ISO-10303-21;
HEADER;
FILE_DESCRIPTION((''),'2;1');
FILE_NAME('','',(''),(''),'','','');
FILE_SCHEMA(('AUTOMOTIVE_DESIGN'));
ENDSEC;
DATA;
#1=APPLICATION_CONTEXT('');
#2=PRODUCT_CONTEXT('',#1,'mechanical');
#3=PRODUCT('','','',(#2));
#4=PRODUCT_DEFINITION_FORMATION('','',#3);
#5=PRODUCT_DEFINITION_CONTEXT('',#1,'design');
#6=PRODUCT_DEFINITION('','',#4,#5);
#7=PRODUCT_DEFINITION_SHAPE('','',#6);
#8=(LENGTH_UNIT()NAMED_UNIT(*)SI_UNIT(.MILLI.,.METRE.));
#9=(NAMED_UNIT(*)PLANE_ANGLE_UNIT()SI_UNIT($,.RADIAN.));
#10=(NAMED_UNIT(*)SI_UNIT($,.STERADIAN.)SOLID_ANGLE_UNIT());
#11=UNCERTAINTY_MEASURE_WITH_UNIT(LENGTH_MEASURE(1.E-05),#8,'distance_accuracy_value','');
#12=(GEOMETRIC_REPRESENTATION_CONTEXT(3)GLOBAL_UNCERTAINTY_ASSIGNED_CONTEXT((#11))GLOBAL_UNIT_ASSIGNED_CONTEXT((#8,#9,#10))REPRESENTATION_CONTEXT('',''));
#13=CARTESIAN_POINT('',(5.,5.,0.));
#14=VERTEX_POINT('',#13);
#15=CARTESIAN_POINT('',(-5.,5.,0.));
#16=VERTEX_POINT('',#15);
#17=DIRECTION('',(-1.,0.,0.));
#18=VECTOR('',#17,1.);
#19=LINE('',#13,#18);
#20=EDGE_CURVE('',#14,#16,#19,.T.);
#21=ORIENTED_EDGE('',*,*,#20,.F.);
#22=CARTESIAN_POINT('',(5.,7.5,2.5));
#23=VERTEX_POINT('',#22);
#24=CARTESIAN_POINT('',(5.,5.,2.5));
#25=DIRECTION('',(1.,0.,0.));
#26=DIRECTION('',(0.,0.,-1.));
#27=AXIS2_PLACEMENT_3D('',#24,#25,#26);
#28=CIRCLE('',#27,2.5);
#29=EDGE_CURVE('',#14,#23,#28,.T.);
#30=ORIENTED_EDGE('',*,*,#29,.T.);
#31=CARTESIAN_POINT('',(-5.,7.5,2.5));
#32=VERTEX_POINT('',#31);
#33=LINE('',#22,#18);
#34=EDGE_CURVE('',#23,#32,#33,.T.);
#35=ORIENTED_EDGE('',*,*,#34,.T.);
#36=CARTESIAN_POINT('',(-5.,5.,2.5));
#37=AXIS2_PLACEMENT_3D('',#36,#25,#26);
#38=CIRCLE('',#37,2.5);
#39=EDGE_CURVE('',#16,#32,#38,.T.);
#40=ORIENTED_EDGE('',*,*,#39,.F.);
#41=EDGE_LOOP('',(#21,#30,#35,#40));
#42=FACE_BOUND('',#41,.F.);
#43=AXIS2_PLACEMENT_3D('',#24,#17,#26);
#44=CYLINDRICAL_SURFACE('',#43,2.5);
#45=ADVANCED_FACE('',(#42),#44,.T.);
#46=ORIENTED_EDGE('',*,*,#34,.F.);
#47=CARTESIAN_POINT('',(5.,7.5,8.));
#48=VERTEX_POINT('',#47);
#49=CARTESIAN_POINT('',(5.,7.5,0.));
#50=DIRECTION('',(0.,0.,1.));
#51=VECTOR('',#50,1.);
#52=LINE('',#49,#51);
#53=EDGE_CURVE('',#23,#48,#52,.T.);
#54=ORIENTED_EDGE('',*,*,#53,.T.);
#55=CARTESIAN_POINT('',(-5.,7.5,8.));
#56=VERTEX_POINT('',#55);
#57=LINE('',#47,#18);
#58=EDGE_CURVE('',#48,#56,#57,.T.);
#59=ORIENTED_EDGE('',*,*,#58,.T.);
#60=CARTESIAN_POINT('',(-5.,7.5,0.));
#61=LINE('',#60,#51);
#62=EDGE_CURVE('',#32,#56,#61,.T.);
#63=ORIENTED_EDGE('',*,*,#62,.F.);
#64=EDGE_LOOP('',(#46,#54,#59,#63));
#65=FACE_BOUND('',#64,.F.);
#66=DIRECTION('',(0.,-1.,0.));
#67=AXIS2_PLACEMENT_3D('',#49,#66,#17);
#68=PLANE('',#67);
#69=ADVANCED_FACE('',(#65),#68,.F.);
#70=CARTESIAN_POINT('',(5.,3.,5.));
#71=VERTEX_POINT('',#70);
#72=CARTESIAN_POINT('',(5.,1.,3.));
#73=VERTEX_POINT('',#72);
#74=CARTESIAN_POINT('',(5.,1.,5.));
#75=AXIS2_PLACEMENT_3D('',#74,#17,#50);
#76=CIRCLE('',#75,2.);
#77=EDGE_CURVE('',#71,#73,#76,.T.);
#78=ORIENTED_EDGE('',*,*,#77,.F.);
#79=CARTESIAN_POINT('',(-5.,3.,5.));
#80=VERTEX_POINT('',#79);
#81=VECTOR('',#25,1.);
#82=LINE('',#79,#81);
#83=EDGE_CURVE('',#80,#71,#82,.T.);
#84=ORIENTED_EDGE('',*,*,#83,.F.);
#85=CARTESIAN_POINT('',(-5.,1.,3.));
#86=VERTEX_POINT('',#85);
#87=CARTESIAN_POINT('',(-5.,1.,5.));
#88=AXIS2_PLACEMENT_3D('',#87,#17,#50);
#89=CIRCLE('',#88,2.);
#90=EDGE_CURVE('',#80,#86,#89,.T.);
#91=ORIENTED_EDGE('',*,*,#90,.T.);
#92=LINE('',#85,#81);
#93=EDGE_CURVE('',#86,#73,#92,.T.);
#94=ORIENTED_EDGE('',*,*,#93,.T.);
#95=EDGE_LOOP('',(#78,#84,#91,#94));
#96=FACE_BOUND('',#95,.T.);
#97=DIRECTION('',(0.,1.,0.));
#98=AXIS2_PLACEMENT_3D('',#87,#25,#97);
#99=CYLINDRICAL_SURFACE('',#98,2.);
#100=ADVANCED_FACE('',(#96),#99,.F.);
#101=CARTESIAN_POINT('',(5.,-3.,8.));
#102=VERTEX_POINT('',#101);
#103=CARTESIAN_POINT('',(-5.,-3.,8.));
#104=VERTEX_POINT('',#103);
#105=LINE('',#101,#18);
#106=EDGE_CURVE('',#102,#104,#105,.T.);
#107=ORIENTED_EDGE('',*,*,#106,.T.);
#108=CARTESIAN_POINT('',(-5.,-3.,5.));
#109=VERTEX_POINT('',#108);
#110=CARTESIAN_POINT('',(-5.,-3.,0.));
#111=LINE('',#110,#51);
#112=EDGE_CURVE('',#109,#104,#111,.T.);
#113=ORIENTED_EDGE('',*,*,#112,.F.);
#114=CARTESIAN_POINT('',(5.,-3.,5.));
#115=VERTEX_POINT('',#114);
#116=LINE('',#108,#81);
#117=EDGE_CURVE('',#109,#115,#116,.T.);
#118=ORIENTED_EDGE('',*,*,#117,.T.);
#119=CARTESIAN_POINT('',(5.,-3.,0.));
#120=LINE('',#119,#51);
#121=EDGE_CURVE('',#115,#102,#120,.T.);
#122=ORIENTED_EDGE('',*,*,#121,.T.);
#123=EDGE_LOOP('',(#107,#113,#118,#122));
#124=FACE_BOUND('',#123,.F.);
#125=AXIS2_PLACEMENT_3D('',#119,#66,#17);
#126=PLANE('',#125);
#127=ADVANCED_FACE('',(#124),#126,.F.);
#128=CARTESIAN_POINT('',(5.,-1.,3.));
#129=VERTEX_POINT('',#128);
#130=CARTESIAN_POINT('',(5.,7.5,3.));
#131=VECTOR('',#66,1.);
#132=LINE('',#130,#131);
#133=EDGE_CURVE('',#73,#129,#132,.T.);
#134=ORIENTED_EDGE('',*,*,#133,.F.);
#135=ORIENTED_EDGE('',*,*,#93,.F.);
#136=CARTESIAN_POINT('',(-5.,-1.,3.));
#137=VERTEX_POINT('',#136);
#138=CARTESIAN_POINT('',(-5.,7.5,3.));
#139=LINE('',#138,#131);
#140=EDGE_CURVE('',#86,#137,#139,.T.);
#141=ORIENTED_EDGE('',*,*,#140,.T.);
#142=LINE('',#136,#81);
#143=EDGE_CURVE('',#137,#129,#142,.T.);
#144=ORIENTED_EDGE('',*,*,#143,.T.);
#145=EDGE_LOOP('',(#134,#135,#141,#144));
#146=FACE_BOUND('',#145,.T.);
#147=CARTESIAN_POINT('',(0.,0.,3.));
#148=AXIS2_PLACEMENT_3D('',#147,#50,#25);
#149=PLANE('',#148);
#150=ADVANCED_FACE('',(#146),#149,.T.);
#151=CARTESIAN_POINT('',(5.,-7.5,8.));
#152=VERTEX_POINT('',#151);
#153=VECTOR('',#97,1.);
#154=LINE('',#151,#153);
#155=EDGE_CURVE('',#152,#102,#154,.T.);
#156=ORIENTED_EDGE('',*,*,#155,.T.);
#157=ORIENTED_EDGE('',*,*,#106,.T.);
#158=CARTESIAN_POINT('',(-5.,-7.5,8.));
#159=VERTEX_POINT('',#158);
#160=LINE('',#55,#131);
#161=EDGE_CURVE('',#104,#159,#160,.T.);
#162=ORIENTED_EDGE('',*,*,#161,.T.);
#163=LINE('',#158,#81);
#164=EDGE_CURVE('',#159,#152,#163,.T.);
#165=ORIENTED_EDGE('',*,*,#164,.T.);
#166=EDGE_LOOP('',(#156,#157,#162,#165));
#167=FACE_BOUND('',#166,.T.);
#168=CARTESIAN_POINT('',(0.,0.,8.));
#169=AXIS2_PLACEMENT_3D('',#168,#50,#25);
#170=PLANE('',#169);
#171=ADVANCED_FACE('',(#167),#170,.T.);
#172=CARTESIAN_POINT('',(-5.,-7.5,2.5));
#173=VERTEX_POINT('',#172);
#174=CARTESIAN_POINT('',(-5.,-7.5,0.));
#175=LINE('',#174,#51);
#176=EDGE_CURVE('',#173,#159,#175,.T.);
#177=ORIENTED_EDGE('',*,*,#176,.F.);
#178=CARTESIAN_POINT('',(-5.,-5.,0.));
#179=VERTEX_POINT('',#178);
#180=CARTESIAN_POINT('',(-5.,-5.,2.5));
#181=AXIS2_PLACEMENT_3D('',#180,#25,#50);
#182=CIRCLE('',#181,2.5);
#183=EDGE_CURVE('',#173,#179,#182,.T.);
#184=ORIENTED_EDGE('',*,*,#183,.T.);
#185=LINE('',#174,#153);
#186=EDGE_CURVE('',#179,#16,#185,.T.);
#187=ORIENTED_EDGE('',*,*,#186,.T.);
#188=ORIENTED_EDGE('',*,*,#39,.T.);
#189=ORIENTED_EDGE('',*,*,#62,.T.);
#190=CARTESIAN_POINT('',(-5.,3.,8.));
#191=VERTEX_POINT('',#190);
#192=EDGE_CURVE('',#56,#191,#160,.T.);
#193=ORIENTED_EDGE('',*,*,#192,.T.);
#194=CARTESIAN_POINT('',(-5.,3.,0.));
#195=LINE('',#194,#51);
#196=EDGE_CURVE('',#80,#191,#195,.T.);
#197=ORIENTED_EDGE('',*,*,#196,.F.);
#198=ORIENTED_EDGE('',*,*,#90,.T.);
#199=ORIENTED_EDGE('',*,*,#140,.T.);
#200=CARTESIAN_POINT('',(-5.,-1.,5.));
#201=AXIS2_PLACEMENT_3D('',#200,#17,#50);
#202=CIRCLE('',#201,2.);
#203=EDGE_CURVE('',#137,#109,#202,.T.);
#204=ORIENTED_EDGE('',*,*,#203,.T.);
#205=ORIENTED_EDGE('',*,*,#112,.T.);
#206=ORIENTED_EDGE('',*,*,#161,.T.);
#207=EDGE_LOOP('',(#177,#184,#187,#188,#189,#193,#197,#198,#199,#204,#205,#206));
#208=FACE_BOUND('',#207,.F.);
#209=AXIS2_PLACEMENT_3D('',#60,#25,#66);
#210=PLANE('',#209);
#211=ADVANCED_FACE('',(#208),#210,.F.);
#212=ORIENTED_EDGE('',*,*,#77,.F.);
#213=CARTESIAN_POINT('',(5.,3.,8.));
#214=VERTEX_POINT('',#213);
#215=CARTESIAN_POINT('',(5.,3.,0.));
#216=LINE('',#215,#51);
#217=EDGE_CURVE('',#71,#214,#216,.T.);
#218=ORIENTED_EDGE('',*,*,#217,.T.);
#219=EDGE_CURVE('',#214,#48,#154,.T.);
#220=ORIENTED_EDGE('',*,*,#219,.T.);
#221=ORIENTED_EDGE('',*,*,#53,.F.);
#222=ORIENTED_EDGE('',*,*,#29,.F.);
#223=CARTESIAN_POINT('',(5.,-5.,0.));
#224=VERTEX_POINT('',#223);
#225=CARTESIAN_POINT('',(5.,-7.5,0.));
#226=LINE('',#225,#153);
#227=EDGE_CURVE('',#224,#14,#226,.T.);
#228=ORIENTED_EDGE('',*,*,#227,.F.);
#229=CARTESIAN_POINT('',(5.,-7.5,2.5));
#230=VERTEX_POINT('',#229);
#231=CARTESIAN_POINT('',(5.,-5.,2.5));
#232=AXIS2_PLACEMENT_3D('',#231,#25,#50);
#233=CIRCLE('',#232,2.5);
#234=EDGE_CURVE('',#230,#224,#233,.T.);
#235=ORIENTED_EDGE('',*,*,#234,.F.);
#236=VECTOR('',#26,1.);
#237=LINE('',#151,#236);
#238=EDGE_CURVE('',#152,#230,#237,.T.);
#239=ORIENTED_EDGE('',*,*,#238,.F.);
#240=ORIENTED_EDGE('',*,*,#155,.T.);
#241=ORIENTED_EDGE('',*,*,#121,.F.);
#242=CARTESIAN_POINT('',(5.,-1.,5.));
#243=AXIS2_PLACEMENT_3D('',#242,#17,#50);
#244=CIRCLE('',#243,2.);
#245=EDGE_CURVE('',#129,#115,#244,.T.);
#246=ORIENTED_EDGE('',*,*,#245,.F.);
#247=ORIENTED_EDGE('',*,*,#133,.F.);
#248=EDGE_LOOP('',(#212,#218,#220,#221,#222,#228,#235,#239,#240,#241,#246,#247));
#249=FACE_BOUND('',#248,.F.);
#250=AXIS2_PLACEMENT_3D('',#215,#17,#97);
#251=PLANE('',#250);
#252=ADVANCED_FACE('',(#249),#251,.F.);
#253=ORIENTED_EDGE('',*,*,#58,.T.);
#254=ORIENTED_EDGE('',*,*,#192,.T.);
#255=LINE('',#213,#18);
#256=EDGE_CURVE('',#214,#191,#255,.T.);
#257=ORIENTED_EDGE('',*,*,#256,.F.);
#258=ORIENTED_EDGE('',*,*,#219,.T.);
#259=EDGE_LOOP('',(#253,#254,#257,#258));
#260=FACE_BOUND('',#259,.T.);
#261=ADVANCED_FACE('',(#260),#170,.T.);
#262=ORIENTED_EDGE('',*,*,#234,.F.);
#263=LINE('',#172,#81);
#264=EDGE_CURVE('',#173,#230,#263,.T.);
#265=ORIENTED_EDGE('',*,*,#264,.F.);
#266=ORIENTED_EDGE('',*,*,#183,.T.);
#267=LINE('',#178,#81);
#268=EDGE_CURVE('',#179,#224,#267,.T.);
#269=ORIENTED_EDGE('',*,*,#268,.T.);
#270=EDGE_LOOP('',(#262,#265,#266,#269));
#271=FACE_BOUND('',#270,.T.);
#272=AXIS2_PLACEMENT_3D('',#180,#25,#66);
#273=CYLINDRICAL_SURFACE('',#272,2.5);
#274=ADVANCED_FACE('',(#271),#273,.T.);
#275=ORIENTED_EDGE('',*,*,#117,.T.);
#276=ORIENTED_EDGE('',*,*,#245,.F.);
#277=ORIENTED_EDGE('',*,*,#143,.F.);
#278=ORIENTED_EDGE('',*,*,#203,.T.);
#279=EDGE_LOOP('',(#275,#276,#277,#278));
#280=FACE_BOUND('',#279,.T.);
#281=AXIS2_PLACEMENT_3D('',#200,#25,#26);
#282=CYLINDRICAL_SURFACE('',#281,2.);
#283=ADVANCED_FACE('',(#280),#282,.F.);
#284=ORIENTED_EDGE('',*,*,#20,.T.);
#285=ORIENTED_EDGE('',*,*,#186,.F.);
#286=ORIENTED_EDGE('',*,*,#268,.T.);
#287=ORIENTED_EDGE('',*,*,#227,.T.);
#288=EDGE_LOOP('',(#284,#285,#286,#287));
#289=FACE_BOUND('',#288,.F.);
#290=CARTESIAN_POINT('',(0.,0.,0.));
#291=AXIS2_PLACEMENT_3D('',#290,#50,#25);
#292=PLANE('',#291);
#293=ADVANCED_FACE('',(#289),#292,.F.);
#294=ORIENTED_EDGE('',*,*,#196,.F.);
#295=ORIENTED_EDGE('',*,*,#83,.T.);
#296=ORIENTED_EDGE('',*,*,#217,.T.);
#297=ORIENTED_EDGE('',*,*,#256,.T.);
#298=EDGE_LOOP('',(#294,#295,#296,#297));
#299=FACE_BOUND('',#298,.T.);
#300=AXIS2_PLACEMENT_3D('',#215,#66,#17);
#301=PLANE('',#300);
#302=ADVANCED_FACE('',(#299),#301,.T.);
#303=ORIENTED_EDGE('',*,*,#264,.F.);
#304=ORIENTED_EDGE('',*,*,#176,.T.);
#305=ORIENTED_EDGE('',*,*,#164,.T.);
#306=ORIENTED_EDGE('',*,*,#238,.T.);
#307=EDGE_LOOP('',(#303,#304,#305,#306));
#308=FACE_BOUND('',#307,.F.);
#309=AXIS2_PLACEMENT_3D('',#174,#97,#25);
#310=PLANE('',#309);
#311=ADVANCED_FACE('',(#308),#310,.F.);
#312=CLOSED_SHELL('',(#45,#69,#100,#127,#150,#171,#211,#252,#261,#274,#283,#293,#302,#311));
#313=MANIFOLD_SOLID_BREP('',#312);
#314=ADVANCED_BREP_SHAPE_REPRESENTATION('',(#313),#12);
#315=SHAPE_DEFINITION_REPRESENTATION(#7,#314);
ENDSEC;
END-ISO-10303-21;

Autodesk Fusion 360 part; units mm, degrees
sketch "Sketch1" plane through (0, 0, 0) normal (0, 0, 1) x (1, 0, 0)
  line L0 (5, 7.5) -> (-5, 7.5)
  line L1 (-5, 7.5) -> (-5, -7.5)
  line L2 (-5, -7.5) -> (5, -7.5)
  line L3 (5, -7.5) -> (5, 7.5)
  line L4 (5, 7.5) -> (-5, -7.5) construction
  line L5 (-5, 7.5) -> (5, -7.5) construction
  line L6 (-5, 7.5) -> (5, 7.5)
  line L7 (5, 7.5) -> (5, 3)
  line L8 (5, 3) -> (-5, 3)
  line L9 (-5, 3) -> (-5, 7.5)
  line L10 (-5, -7.5) -> (5, -7.5)
  line L11 (5, -7.5) -> (5, -3)
  line L12 (5, -3) -> (-5, -3)
  line L13 (-5, -3) -> (-5, -7.5)
  dimension "d1" = 10
  dimension "d2" = 15
  dimension "d3" = 4.5
  dimension "d4" = 4.5
extrude "Extrude1" add sketch "Sketch1" along normal blind 3 makes body 1
extrude "Extrude2" add sketch "Sketch1" along normal blind 8 contours L0 L1 L3 L6 L7 L8 L9 | L1 L2 L3 L10 L11 L12 L13 bodies 1
fillet "Fillet1" radius 2 2 edges at (0, -3, 3) (0, 3, 3) on bodies 1
fillet "Fillet2" radius 2.5 2 edges at (0, -7.5, 0) (0, 7.5, 0) on bodies 1
sketch "Sketch2" plane through (0, 0, 0) normal (0, 0, 1) x (1, 0, 0)
  circle A0 centre (20, 0) radius 4
  circle A1 centre (20, 0) radius 9
  dimension "d13" = 8
  dimension "d14" = 18
extrude "Extrude3" add sketch "Sketch2" along normal blind 20 separate body makes body 2
delete_body "RemoveBody1" bodies 2
